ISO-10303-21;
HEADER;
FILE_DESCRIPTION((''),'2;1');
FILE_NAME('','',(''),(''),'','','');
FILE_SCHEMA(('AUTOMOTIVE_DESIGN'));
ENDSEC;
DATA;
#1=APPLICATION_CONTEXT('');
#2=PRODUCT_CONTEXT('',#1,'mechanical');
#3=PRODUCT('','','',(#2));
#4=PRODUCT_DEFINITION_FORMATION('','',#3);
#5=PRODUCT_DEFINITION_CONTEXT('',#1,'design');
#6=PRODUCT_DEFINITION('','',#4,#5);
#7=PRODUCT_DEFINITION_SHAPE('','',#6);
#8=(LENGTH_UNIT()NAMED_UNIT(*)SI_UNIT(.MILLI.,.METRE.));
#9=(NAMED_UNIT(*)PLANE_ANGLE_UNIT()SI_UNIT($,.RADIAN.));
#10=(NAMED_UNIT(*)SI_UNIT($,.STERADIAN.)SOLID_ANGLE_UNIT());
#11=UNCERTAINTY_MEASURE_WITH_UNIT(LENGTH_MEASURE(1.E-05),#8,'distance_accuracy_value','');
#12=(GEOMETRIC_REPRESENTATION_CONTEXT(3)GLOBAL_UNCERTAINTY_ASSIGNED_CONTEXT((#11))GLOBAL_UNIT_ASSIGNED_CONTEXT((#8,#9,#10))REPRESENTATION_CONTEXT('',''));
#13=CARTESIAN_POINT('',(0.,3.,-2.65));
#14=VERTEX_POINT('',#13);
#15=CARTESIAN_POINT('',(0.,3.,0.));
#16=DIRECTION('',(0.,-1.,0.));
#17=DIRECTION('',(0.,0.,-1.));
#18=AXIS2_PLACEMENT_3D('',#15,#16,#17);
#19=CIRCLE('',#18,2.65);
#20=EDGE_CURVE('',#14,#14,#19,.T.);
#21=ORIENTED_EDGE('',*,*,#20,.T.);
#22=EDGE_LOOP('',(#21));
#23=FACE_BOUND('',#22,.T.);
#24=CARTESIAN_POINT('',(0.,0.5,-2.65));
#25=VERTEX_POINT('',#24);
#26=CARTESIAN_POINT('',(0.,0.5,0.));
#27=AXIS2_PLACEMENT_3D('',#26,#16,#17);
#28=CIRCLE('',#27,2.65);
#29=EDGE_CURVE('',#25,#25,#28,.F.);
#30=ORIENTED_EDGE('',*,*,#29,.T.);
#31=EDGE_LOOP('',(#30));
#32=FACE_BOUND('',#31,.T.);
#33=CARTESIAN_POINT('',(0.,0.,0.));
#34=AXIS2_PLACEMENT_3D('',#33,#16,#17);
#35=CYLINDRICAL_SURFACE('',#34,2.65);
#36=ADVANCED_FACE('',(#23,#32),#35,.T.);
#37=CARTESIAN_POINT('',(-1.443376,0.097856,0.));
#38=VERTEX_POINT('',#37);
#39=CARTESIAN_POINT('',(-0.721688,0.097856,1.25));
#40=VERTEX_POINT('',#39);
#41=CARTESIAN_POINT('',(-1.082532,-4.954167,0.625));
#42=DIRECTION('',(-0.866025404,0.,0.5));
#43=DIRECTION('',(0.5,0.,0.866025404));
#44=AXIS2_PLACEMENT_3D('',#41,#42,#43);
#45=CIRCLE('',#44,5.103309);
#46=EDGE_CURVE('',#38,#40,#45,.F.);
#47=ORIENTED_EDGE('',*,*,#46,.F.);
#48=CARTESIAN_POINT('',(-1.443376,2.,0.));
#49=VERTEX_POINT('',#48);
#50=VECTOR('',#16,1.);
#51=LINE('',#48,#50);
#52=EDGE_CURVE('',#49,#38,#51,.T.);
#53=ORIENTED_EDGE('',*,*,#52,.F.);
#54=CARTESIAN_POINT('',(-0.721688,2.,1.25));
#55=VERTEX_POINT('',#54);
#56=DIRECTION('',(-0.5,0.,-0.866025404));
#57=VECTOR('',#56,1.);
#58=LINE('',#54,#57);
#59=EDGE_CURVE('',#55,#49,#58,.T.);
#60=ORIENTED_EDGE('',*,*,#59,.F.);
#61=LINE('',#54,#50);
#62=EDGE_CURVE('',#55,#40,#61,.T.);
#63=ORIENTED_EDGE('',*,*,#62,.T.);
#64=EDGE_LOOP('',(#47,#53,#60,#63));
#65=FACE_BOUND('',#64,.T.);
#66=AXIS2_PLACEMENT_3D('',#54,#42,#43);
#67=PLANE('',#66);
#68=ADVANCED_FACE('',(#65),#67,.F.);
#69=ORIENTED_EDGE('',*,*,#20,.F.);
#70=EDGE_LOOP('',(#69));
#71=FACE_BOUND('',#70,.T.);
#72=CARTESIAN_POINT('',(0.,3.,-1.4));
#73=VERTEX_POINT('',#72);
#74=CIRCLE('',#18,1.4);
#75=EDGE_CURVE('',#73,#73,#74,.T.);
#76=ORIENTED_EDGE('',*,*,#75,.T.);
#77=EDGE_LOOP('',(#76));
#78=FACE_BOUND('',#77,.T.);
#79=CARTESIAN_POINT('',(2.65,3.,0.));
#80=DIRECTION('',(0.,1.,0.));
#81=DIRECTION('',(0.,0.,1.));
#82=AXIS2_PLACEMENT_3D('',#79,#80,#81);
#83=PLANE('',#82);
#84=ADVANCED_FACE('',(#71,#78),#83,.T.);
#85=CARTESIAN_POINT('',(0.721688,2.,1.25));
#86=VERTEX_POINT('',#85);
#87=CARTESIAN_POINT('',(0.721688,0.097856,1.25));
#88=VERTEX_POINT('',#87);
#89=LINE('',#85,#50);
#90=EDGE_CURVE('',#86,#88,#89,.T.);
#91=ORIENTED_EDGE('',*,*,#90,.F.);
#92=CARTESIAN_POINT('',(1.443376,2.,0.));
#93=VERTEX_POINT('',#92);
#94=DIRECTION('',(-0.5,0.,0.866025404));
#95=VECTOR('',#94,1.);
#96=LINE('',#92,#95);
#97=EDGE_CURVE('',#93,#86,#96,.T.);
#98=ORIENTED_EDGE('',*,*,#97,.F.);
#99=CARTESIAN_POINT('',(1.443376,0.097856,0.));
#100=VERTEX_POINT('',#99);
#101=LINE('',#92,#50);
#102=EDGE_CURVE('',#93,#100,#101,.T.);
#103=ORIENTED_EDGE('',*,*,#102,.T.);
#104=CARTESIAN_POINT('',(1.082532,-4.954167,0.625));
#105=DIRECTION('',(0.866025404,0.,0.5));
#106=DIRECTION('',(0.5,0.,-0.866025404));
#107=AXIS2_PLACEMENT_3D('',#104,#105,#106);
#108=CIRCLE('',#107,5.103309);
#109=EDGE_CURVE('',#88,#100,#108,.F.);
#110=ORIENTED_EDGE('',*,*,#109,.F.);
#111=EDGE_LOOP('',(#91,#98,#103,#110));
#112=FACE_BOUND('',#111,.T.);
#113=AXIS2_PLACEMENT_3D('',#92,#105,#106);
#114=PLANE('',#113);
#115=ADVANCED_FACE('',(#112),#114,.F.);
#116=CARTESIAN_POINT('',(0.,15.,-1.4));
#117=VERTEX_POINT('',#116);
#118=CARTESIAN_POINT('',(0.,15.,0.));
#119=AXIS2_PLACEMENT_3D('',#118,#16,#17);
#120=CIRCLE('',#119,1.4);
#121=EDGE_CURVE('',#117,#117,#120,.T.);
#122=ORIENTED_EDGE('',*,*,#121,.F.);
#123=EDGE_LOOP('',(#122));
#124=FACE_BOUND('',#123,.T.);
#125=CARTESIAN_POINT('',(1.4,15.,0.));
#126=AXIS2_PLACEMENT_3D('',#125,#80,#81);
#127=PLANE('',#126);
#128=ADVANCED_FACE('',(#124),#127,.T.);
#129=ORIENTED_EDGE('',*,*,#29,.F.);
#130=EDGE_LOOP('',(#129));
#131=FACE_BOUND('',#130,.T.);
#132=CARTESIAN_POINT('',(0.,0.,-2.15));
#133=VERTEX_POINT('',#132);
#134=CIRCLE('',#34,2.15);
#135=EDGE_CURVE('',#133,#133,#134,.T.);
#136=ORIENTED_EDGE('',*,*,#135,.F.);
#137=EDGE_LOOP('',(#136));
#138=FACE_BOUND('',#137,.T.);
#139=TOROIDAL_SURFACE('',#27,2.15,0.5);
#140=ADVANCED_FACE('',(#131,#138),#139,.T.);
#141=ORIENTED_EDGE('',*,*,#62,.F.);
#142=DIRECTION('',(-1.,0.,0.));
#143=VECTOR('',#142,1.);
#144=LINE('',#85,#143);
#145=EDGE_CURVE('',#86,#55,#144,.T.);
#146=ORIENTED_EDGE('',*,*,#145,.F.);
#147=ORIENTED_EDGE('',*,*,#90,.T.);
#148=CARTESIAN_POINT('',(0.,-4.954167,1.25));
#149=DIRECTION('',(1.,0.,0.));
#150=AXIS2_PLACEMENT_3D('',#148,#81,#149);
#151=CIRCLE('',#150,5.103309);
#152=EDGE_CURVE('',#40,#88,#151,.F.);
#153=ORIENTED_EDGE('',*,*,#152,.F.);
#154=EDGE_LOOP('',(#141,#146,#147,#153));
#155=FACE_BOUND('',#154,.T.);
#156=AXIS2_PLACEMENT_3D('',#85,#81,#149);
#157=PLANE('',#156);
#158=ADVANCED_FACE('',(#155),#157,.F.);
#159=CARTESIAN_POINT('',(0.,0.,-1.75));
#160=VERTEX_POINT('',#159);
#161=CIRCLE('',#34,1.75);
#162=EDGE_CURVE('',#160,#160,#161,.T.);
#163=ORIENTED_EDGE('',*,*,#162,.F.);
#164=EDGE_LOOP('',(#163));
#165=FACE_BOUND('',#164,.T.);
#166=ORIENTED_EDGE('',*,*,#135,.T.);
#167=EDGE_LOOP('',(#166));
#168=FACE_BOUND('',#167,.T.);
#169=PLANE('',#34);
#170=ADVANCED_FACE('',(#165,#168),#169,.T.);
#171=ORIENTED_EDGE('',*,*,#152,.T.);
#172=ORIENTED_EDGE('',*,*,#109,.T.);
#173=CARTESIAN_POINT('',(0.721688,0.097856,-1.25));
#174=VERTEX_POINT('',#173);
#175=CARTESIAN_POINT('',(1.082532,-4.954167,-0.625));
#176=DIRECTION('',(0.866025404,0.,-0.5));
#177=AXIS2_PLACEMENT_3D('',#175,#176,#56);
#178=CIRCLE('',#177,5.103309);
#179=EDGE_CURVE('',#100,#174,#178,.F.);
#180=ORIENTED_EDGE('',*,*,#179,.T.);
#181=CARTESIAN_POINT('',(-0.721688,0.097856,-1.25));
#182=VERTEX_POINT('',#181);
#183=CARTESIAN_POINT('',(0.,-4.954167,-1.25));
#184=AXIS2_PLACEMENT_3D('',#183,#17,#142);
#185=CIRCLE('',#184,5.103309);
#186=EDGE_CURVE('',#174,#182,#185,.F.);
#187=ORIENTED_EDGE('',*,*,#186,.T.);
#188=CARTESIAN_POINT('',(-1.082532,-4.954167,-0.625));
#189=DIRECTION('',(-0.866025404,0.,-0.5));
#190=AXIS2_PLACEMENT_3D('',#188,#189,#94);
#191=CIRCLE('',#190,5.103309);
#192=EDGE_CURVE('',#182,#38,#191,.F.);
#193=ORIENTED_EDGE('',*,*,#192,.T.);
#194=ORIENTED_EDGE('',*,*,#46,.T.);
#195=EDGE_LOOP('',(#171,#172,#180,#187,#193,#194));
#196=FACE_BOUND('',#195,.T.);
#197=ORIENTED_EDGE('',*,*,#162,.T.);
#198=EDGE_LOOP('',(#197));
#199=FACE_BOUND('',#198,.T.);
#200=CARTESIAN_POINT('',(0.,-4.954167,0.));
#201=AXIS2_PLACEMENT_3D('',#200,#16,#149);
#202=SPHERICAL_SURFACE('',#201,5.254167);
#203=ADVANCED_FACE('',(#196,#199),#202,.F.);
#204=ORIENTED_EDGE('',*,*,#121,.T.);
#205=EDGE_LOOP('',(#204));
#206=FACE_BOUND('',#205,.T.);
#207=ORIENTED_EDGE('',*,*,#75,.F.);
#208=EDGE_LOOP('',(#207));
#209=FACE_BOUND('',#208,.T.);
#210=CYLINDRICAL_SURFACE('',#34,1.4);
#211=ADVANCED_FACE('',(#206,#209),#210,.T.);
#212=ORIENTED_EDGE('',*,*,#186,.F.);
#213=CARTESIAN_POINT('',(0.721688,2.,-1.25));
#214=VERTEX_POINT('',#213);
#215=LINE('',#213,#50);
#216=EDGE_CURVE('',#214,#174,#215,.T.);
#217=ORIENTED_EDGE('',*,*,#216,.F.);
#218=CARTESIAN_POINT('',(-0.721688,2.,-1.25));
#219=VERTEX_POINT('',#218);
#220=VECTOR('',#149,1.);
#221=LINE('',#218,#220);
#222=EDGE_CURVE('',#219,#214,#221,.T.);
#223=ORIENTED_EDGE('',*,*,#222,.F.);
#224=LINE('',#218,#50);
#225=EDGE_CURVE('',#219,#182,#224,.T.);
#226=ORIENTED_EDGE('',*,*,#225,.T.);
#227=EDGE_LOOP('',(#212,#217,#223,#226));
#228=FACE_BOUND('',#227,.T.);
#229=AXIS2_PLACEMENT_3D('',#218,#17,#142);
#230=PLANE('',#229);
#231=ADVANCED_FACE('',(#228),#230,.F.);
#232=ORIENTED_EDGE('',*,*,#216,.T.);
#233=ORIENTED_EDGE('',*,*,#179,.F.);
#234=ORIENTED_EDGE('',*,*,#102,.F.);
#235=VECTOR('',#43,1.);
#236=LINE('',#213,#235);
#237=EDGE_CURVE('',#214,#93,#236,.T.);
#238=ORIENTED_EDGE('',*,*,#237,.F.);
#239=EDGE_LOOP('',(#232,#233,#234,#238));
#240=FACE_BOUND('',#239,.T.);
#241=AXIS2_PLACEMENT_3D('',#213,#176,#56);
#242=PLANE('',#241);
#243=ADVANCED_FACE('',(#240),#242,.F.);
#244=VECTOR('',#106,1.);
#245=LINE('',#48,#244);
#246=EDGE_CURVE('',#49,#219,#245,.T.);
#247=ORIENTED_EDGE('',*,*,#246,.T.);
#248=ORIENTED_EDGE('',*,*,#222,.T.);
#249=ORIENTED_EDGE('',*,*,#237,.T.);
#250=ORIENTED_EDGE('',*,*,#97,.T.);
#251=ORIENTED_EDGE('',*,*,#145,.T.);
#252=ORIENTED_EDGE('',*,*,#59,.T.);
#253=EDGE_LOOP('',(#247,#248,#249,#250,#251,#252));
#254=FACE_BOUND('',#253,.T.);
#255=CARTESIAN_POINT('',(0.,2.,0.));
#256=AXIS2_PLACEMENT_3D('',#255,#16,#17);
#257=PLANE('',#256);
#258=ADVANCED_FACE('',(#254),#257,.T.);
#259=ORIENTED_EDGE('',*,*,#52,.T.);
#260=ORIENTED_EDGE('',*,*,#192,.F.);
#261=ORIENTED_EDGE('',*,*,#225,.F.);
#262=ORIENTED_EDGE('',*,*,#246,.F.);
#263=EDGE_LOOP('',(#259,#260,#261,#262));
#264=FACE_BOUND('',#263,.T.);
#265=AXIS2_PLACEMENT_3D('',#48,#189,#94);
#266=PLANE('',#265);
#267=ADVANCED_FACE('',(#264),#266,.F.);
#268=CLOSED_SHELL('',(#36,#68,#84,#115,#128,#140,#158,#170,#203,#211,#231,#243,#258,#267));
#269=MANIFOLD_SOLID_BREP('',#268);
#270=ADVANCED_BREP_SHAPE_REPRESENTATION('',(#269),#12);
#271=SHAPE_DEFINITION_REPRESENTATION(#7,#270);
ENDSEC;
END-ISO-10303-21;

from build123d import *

# Parameters (mm, degrees)
CUT_EXTRUDE1_DEPTH = 2
FILLET1_R          = 0.5


with BuildPart() as part:
    # Sketch2 → Revolve1 (revolve)
    with BuildSketch(Plane.XY):
        Polygon((0, 0), (2.65, 0), (2.65, 3), (1.4, 3), (1.4, 15), (0, 15), align=None)
    revolve(axis=Axis((0, 0, 0), (0, 1, 0)))

    # Sketch3 → Cut-Extrude1 (cut)
    with BuildSketch(Plane.XZ):
        Polygon((-1.443375673, 0), (-0.721687836, -1.25), (0.721687836, -1.25), (1.443375673, 0), (0.721687836, 1.25), (-0.721687836, 1.25), align=None)
    extrude(amount=-CUT_EXTRUDE1_DEPTH, mode=Mode.SUBTRACT)

    # Sketch6 → Cut-Revolve1 (revolve, cut)
    with BuildSketch(Plane(origin=(0, 0, 0), x_dir=(-1, 0, 0), z_dir=(0, 0, -1))):
        with BuildLine():
            Line((0, 0), (0, 0.3))
            ThreePointArc((0, 0.3), (-0.887764045, 0.22445693), (-1.75, 0))
            Line((-1.75, 0), (0, 0))
        make_face()
    revolve(axis=Axis((0, 0, 0), (0, 1, 0)), mode=Mode.SUBTRACT)

    # Fillet1
    fillet1_edges = [part.edges().sort_by_distance(p)[0] for p in [
        (-2.65, 0, 0),
    ]]
    fillet(fillet1_edges, radius=FILLET1_R)


solid = part.part
